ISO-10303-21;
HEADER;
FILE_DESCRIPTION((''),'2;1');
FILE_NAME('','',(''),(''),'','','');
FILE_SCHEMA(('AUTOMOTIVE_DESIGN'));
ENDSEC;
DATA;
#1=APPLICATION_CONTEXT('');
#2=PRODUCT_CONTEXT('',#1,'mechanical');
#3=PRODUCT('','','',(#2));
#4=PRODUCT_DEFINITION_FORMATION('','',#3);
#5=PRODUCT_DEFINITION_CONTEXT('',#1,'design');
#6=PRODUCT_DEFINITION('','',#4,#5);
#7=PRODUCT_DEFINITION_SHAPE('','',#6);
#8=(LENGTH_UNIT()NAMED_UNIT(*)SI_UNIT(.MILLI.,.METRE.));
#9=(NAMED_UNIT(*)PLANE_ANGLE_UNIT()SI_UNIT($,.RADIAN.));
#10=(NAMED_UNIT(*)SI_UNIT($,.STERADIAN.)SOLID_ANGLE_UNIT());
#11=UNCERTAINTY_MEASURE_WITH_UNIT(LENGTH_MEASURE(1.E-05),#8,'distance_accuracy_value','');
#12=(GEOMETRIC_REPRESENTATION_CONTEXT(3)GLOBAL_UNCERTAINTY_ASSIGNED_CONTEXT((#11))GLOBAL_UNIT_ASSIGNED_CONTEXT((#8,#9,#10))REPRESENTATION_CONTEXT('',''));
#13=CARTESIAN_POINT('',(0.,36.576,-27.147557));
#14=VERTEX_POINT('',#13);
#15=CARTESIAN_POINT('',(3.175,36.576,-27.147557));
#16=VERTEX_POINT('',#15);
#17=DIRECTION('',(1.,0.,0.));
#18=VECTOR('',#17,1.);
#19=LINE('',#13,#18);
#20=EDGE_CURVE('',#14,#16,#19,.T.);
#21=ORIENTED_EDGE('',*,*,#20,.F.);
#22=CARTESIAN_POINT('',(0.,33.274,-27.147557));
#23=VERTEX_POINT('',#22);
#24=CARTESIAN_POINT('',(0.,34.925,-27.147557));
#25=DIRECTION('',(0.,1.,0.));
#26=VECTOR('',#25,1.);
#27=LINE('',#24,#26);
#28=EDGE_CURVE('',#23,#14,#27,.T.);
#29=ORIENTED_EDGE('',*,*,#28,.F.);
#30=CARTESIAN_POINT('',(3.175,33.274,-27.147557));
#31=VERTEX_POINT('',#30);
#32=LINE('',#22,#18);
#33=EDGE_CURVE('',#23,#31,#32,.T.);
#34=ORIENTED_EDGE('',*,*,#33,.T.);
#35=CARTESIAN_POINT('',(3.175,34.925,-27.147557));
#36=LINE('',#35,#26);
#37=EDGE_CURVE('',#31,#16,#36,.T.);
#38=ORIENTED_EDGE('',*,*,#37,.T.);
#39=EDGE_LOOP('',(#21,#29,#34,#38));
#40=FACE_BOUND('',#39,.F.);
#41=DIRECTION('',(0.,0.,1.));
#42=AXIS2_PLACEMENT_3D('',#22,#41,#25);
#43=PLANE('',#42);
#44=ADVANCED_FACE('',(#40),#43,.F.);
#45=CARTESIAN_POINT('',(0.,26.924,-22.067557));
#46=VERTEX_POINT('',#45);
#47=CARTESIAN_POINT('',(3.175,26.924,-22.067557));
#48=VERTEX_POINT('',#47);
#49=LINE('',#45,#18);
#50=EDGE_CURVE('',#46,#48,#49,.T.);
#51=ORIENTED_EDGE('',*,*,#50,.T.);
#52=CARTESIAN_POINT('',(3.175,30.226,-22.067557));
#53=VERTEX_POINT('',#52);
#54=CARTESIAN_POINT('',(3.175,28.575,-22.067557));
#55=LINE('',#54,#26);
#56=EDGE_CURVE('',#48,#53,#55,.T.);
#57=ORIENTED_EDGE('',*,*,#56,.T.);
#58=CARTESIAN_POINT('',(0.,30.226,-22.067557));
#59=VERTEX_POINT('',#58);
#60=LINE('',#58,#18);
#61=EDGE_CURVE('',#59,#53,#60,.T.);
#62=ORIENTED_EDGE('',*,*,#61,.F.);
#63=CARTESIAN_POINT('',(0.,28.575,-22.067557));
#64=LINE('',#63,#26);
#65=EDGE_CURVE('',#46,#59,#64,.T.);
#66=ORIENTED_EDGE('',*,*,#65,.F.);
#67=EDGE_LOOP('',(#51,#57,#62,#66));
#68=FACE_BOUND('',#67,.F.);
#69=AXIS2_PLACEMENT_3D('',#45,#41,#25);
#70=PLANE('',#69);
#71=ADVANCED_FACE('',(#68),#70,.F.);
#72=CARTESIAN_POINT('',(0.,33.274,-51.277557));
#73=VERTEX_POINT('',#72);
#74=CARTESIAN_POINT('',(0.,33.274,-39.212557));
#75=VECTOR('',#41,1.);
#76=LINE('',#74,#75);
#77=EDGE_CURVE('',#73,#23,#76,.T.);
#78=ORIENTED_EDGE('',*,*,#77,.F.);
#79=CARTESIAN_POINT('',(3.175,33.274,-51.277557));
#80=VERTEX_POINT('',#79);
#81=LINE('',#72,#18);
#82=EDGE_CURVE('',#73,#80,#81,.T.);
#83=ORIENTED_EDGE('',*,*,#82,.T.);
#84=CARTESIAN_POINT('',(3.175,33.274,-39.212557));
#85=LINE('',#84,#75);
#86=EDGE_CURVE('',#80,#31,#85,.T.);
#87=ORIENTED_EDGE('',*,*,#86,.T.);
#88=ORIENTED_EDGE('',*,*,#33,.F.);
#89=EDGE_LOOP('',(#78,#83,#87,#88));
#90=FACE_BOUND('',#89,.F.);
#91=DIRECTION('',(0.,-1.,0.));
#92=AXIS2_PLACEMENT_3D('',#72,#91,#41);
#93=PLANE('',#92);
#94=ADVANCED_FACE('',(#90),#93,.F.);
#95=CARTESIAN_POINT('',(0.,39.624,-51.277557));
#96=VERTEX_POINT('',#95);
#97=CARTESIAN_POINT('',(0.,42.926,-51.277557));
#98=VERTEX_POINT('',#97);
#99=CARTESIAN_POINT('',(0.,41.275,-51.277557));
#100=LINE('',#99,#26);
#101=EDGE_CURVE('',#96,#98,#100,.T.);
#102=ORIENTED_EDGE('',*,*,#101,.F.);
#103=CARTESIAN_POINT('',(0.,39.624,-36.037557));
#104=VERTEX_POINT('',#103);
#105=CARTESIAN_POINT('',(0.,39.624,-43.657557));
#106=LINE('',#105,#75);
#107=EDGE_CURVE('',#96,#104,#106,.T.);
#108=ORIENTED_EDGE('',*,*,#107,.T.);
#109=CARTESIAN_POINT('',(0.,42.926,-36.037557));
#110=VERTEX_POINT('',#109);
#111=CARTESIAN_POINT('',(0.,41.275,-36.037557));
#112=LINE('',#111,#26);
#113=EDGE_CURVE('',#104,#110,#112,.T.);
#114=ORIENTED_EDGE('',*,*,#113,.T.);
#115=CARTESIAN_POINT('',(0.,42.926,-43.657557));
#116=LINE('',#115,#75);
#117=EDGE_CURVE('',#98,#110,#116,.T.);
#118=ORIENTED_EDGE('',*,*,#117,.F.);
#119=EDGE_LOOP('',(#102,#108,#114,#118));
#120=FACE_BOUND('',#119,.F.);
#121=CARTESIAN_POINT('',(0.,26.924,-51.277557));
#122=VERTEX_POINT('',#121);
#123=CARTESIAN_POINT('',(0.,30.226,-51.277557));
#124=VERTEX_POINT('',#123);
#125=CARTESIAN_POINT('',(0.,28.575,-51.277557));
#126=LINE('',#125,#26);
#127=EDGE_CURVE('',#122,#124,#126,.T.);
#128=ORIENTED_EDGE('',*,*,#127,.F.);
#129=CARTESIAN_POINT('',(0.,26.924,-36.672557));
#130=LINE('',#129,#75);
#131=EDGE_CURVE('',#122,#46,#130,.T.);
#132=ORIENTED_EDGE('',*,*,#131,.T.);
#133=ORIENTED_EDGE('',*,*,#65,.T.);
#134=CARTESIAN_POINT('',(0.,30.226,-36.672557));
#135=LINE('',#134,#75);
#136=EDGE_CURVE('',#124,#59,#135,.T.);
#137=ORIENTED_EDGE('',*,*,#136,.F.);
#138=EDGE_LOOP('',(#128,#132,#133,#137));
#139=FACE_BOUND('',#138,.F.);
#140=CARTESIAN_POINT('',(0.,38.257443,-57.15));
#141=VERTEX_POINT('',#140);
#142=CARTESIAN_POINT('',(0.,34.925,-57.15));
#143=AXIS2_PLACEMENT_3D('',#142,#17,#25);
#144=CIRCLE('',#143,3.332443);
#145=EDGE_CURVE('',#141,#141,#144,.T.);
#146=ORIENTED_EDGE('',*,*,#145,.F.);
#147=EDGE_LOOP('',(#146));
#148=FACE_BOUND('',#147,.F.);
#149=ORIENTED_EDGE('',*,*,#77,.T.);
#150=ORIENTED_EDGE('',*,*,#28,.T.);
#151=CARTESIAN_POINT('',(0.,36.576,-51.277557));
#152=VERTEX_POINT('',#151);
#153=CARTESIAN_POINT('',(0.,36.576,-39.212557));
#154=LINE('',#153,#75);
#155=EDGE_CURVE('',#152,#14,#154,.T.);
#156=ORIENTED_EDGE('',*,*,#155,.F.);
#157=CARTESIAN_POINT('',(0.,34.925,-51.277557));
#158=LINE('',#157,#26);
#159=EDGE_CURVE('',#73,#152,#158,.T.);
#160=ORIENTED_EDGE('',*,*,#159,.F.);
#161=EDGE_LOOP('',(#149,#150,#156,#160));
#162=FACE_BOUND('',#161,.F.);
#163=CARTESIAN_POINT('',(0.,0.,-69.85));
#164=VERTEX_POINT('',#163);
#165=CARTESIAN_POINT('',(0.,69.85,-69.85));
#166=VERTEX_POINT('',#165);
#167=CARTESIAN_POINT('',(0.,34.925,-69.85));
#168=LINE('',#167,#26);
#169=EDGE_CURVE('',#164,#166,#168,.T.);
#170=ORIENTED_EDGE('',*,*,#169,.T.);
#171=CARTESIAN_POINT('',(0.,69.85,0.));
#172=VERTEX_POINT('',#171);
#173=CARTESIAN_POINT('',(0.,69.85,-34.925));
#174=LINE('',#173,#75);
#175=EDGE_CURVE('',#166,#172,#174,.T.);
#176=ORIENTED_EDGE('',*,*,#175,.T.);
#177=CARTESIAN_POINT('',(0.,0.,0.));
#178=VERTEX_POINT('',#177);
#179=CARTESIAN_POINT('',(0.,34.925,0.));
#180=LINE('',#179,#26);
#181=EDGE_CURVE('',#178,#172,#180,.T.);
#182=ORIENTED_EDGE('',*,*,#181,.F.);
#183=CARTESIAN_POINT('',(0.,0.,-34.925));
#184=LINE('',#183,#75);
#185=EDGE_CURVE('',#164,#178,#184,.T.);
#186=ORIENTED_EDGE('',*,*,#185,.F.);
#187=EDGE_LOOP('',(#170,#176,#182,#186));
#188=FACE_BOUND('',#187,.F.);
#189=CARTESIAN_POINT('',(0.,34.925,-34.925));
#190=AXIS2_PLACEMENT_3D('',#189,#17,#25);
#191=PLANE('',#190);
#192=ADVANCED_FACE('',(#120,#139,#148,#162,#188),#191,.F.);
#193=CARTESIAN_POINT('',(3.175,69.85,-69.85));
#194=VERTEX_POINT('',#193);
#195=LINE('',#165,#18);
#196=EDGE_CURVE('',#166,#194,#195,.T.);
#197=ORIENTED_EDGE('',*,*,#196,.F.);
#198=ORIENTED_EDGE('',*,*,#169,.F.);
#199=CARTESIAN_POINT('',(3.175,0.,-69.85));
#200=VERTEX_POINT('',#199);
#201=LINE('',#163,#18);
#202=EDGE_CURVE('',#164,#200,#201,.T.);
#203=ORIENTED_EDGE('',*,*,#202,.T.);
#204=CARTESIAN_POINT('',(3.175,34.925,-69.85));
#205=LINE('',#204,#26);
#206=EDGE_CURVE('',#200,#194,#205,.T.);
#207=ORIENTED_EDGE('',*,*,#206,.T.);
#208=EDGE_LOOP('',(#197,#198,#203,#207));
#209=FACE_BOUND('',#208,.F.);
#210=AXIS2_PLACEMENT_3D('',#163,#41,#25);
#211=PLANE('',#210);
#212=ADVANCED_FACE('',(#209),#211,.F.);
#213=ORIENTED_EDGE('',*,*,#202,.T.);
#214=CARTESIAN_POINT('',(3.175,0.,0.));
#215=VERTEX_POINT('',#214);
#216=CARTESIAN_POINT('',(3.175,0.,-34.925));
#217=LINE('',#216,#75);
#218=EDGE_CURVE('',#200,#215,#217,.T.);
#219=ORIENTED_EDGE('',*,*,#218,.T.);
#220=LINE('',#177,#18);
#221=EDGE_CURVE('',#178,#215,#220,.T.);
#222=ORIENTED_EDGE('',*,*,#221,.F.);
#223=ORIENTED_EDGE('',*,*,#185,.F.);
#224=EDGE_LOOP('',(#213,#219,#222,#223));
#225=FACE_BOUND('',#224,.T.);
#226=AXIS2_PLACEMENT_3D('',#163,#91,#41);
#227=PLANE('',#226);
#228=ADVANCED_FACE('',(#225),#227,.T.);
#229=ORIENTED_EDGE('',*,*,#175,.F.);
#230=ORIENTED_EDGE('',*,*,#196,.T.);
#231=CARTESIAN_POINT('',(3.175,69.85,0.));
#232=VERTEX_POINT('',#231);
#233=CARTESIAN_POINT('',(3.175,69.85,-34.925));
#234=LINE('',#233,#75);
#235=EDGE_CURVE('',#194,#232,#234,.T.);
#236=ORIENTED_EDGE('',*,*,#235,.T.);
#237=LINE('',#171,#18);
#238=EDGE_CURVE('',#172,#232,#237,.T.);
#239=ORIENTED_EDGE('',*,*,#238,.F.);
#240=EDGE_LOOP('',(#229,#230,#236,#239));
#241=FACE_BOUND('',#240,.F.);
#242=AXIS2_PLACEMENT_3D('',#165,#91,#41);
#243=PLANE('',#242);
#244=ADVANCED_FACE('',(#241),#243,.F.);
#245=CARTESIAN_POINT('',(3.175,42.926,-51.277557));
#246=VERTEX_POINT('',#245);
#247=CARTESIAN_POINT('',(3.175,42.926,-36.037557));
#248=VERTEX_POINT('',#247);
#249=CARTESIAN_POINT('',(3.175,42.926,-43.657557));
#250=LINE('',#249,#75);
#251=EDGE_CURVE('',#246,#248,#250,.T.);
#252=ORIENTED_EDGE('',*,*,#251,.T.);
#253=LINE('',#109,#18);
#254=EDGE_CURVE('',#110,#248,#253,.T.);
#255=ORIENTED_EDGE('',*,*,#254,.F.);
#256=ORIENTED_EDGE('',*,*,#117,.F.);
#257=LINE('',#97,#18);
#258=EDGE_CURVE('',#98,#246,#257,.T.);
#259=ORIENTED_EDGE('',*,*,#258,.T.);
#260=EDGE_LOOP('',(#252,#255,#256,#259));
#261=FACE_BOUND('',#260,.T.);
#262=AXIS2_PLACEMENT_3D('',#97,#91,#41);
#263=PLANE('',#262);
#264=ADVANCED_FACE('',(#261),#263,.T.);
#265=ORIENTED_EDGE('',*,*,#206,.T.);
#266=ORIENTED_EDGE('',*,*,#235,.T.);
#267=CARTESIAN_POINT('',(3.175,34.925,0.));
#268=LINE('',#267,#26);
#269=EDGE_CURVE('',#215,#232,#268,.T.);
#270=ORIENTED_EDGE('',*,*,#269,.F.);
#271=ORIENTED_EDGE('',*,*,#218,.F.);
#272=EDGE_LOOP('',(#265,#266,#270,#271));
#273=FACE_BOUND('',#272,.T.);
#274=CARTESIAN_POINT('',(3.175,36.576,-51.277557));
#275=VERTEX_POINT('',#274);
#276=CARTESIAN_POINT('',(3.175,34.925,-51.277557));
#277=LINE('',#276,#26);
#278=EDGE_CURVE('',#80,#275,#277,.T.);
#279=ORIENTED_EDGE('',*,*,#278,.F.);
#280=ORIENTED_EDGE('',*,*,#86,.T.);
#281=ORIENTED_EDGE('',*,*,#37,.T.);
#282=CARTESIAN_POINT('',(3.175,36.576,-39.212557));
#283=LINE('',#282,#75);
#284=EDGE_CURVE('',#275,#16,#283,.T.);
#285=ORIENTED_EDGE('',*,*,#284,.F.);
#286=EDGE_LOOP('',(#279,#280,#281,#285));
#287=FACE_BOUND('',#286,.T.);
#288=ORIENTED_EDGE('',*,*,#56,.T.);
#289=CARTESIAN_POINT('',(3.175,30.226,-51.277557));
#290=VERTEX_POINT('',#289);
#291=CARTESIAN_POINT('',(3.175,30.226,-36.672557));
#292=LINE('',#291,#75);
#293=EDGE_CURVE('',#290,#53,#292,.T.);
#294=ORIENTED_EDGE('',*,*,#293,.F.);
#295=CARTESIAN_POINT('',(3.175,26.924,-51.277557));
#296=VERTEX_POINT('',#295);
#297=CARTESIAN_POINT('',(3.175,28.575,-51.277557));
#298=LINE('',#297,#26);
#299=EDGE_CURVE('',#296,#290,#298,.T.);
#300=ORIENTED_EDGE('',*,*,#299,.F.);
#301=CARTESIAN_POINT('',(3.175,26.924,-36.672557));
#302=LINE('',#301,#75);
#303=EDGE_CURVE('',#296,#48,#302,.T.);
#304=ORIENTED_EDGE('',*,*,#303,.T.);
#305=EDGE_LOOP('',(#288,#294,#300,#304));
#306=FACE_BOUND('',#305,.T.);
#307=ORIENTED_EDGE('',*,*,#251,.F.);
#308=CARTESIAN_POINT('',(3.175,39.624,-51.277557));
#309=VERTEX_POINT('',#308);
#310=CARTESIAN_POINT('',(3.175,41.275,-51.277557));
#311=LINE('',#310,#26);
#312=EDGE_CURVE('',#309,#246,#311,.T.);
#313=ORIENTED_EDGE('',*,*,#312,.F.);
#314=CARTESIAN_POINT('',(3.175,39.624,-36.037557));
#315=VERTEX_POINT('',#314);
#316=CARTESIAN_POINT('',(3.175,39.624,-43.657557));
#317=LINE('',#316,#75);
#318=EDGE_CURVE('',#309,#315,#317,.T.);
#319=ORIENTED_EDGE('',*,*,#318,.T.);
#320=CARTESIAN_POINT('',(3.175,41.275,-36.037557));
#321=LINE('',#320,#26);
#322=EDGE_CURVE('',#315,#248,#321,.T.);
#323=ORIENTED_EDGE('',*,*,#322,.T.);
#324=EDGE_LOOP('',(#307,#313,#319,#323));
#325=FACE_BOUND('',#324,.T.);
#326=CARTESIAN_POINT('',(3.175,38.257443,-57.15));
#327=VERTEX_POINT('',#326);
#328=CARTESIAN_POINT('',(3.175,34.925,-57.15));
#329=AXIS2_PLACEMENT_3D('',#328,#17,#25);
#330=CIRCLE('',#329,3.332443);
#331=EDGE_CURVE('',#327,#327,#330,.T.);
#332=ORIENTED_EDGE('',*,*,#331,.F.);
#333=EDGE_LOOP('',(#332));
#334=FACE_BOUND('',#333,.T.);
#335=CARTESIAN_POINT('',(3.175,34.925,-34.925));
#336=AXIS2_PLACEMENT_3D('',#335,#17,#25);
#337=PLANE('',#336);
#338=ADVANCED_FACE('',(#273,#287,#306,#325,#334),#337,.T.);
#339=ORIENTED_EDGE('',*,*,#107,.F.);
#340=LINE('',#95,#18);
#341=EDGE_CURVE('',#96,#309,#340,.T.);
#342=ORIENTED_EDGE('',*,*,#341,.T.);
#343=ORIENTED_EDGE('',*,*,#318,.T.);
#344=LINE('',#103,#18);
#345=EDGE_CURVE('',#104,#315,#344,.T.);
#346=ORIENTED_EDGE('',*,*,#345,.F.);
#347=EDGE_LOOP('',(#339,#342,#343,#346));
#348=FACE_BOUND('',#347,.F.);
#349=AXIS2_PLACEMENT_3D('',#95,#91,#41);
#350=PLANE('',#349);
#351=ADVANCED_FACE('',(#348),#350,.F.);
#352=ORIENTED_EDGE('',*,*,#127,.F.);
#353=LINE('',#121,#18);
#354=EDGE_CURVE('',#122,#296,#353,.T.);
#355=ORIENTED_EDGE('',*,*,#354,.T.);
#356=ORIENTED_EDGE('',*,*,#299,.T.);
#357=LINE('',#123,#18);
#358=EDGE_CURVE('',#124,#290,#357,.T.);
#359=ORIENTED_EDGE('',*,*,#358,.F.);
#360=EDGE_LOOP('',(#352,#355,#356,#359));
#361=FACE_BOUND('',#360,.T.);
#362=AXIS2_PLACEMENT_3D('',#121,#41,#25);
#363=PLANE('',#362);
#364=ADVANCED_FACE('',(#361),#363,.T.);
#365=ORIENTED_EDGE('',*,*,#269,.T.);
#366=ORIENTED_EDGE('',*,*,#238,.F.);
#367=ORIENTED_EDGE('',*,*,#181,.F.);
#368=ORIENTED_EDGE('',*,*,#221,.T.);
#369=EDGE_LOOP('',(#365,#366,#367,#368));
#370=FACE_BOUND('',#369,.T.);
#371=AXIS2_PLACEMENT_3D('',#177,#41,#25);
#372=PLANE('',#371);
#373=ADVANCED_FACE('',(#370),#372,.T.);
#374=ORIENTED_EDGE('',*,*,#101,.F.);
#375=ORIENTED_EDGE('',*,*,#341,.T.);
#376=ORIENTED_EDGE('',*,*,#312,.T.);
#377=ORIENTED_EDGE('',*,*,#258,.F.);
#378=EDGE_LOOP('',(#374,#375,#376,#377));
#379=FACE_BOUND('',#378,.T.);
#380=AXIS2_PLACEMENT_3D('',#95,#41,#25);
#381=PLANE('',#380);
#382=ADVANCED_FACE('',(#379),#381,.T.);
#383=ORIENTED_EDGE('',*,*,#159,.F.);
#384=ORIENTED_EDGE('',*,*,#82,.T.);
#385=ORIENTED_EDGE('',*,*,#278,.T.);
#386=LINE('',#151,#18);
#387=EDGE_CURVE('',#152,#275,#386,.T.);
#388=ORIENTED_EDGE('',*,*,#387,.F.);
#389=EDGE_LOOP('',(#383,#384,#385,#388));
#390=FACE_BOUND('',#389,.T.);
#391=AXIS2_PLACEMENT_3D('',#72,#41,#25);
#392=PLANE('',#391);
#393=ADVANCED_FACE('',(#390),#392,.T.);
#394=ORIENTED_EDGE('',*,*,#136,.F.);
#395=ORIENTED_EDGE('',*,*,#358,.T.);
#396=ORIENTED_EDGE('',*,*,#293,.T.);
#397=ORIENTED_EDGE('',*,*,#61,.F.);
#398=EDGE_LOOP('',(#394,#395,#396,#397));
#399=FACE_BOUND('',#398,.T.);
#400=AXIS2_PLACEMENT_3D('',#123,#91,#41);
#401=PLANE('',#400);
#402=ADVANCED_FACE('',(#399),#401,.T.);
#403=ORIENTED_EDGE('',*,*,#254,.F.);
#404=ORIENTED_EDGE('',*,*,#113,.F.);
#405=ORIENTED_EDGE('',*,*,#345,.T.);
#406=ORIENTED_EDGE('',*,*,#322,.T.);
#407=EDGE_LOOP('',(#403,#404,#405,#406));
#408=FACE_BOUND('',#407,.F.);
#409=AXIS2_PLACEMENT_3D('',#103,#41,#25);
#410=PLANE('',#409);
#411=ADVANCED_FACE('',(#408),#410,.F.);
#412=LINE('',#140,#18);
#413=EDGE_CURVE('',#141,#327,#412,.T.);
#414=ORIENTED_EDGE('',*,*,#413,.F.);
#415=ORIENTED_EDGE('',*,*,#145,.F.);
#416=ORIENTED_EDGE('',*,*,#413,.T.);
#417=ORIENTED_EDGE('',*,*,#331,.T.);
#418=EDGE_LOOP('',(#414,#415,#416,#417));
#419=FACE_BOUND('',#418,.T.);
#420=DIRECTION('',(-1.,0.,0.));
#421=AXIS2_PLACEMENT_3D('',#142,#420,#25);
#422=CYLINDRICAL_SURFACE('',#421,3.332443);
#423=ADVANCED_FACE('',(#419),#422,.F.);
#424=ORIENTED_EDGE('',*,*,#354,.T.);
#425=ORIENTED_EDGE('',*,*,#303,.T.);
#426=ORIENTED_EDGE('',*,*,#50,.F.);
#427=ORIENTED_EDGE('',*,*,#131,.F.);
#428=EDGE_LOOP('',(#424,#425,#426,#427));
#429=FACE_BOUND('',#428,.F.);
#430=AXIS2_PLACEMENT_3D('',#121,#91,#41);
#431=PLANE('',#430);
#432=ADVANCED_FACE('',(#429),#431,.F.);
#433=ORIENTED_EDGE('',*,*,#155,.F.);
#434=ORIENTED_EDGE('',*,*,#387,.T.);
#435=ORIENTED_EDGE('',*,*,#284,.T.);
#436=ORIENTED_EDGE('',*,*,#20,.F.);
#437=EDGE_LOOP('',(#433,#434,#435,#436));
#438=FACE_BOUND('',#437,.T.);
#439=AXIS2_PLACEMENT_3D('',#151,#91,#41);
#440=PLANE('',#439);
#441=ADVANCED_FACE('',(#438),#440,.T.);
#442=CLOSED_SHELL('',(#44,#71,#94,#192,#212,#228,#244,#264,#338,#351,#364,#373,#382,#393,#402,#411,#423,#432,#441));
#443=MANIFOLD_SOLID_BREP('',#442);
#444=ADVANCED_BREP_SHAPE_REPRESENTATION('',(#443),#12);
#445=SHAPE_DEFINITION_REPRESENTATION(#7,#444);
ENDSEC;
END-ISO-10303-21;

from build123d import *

# Parameters (mm, degrees)
F0_W     = 69.85
F0_H     = 69.85
F0_W_2   = 3.302
F0_H_2   = 29.21
F0_R     = 3.332443
F0_H_3   = 15.24
F0_H_4   = 24.13
F1_DEPTH = 3.175


with BuildPart() as f1:
    # F0 (on Right) → F1 (new body)
    with BuildSketch(Plane.YZ):
        with Locations((34.925, -34.925)):
            Rectangle(F0_W, F0_H)
        with Locations((28.575, -36.672557)):
            Rectangle(F0_W_2, F0_H_2, mode=Mode.SUBTRACT)
        with Locations((34.925, -57.15)):
            Circle(F0_R, mode=Mode.SUBTRACT)
        with Locations((41.275, -43.657557)):
            Rectangle(F0_W_2, F0_H_3, mode=Mode.SUBTRACT)
        with Locations((34.925, -39.212557)):
            Rectangle(F0_W_2, F0_H_4, mode=Mode.SUBTRACT)
    extrude(amount=F1_DEPTH)


solid = f1.part
